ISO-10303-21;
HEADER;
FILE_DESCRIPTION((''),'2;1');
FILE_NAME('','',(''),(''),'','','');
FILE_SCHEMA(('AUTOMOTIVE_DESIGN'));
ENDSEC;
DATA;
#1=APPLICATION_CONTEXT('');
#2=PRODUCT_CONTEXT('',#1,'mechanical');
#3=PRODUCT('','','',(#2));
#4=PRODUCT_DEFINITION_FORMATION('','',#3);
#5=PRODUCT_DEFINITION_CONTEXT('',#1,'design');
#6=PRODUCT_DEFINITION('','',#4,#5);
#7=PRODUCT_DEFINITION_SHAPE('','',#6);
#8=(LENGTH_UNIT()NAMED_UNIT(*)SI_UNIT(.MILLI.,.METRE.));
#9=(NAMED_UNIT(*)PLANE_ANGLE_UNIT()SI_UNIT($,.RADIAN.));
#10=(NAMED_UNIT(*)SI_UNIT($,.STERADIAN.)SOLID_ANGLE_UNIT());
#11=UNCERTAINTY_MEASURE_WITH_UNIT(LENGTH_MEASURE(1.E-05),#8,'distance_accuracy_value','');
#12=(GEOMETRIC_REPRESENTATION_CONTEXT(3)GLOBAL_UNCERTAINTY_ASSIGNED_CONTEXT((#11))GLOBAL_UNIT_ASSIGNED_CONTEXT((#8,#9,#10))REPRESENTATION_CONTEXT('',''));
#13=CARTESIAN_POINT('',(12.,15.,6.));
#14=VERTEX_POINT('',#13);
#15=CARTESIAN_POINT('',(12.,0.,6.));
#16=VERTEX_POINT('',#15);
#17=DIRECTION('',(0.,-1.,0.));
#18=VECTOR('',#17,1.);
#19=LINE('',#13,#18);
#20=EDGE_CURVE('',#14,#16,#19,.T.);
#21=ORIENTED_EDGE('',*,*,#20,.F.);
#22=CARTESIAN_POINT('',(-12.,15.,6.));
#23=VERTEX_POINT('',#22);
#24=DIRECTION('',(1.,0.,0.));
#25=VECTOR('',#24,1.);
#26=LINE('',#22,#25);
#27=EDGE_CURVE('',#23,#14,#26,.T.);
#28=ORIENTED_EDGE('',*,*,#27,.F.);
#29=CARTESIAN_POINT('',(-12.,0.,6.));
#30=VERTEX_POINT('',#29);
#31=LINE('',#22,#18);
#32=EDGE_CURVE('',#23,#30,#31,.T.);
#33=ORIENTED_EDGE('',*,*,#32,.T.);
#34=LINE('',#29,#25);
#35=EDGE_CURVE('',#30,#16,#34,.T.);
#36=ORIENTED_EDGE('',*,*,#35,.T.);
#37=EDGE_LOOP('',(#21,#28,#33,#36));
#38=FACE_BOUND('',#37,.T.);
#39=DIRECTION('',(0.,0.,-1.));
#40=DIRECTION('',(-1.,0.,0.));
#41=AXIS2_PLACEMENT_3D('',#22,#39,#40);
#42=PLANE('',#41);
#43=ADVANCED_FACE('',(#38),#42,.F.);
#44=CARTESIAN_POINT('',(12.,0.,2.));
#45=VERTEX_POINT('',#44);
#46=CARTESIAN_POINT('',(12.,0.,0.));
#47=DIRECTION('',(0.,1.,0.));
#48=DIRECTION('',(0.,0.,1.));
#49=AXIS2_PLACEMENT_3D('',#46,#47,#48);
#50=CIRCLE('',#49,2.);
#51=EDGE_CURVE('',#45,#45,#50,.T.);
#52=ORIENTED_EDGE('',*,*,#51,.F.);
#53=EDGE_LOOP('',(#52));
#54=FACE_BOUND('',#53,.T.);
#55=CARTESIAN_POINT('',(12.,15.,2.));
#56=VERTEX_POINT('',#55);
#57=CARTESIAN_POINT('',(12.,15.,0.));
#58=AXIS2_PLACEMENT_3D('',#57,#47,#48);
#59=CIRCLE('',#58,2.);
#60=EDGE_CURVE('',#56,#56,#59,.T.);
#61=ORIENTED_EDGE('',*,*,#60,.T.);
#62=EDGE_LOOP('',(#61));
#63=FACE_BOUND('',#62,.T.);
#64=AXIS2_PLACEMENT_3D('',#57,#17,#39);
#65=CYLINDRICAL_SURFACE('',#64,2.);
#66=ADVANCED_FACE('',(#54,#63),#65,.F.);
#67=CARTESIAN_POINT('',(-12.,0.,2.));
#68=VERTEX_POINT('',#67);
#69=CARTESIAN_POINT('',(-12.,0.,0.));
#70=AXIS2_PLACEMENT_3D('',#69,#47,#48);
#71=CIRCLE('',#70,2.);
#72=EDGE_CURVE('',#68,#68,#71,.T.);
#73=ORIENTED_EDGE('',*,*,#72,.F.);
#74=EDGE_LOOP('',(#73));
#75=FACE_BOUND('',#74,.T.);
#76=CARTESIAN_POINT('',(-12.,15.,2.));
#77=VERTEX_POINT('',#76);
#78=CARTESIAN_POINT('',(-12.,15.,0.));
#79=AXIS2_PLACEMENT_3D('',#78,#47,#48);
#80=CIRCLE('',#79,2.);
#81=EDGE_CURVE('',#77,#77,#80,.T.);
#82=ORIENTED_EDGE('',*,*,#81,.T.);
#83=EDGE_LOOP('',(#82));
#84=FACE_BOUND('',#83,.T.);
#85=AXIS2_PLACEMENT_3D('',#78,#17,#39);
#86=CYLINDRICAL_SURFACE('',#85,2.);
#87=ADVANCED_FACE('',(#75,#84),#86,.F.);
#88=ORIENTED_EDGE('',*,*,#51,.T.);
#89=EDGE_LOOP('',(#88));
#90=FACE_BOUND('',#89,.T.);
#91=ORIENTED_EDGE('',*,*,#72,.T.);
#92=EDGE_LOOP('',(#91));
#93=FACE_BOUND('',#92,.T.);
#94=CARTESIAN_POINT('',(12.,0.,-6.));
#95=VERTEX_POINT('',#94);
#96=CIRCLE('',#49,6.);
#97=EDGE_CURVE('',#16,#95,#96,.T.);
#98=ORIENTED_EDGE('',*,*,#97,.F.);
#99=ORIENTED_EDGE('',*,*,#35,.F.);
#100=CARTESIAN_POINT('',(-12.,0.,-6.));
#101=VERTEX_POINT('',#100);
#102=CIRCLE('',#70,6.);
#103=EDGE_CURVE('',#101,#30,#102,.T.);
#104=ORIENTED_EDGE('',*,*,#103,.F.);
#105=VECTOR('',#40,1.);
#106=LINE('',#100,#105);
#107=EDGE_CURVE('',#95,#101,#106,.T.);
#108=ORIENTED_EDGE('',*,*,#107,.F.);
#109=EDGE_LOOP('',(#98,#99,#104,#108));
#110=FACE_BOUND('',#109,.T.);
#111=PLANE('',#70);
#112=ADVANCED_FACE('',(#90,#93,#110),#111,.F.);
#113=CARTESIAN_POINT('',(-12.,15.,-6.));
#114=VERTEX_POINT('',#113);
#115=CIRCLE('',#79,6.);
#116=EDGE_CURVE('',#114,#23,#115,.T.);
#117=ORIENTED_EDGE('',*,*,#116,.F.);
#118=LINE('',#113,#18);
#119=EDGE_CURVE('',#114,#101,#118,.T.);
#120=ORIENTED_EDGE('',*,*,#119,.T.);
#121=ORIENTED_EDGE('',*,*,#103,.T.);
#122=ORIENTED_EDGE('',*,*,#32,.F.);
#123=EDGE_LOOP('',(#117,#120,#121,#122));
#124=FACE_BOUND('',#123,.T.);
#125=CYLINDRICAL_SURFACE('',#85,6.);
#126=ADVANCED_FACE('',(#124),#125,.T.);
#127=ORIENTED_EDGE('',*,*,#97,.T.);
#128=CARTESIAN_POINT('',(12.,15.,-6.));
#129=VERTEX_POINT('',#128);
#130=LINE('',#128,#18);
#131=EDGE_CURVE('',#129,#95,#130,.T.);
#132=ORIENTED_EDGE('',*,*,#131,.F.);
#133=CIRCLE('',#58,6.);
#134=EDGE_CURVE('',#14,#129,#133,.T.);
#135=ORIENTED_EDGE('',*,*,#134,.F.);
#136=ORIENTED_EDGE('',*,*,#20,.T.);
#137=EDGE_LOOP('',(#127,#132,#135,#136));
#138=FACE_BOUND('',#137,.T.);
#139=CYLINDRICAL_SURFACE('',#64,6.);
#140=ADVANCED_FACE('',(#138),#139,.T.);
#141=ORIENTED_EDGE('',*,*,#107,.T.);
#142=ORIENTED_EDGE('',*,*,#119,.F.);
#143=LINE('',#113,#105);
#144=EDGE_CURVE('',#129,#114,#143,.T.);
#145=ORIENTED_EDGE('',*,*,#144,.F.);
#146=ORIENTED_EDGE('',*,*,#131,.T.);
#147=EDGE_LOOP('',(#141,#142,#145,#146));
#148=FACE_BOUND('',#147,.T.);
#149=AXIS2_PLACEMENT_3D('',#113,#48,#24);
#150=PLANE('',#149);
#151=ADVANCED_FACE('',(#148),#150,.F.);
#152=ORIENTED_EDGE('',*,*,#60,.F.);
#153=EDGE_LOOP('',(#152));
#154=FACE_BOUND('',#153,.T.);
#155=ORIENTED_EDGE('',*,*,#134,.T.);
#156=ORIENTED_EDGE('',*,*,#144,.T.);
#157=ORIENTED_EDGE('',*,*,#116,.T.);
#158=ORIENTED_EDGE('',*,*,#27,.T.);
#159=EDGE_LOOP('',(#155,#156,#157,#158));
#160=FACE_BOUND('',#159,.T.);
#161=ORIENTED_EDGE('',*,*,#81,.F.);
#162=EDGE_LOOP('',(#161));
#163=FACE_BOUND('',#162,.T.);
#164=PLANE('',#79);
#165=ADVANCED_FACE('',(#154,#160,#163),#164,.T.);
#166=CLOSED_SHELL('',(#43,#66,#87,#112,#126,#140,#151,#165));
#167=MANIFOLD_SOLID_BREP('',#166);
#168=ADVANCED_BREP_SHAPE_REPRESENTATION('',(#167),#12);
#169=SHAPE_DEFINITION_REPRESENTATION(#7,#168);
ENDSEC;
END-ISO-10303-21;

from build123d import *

# Parameters (mm, degrees)
SKETCH1_R           = 2
BOSS_EXTRUDE1_DEPTH = 15


with BuildPart() as part:
    # Sketch1 → Boss-Extrude1 (new body)
    with BuildSketch(Plane(origin=(0, 0, 0), x_dir=(1, 0, 0), z_dir=(0, 1, 0))):
        with BuildLine():
            Line((-12, 6), (12, 6))
            ThreePointArc((12, 6), (18, 0), (12, -6))
            Line((12, -6), (-12, -6))
            ThreePointArc((-12, -6), (-18, 0), (-12, 6))
        make_face()
        with Locations(Location((-12, 0, 0), (0, 0, 270))):
            Circle(SKETCH1_R, mode=Mode.SUBTRACT)
        with Locations(Location((12, 0, 0), (0, 0, 270))):
            Circle(SKETCH1_R, mode=Mode.SUBTRACT)
    extrude(amount=BOSS_EXTRUDE1_DEPTH)


solid = part.part
